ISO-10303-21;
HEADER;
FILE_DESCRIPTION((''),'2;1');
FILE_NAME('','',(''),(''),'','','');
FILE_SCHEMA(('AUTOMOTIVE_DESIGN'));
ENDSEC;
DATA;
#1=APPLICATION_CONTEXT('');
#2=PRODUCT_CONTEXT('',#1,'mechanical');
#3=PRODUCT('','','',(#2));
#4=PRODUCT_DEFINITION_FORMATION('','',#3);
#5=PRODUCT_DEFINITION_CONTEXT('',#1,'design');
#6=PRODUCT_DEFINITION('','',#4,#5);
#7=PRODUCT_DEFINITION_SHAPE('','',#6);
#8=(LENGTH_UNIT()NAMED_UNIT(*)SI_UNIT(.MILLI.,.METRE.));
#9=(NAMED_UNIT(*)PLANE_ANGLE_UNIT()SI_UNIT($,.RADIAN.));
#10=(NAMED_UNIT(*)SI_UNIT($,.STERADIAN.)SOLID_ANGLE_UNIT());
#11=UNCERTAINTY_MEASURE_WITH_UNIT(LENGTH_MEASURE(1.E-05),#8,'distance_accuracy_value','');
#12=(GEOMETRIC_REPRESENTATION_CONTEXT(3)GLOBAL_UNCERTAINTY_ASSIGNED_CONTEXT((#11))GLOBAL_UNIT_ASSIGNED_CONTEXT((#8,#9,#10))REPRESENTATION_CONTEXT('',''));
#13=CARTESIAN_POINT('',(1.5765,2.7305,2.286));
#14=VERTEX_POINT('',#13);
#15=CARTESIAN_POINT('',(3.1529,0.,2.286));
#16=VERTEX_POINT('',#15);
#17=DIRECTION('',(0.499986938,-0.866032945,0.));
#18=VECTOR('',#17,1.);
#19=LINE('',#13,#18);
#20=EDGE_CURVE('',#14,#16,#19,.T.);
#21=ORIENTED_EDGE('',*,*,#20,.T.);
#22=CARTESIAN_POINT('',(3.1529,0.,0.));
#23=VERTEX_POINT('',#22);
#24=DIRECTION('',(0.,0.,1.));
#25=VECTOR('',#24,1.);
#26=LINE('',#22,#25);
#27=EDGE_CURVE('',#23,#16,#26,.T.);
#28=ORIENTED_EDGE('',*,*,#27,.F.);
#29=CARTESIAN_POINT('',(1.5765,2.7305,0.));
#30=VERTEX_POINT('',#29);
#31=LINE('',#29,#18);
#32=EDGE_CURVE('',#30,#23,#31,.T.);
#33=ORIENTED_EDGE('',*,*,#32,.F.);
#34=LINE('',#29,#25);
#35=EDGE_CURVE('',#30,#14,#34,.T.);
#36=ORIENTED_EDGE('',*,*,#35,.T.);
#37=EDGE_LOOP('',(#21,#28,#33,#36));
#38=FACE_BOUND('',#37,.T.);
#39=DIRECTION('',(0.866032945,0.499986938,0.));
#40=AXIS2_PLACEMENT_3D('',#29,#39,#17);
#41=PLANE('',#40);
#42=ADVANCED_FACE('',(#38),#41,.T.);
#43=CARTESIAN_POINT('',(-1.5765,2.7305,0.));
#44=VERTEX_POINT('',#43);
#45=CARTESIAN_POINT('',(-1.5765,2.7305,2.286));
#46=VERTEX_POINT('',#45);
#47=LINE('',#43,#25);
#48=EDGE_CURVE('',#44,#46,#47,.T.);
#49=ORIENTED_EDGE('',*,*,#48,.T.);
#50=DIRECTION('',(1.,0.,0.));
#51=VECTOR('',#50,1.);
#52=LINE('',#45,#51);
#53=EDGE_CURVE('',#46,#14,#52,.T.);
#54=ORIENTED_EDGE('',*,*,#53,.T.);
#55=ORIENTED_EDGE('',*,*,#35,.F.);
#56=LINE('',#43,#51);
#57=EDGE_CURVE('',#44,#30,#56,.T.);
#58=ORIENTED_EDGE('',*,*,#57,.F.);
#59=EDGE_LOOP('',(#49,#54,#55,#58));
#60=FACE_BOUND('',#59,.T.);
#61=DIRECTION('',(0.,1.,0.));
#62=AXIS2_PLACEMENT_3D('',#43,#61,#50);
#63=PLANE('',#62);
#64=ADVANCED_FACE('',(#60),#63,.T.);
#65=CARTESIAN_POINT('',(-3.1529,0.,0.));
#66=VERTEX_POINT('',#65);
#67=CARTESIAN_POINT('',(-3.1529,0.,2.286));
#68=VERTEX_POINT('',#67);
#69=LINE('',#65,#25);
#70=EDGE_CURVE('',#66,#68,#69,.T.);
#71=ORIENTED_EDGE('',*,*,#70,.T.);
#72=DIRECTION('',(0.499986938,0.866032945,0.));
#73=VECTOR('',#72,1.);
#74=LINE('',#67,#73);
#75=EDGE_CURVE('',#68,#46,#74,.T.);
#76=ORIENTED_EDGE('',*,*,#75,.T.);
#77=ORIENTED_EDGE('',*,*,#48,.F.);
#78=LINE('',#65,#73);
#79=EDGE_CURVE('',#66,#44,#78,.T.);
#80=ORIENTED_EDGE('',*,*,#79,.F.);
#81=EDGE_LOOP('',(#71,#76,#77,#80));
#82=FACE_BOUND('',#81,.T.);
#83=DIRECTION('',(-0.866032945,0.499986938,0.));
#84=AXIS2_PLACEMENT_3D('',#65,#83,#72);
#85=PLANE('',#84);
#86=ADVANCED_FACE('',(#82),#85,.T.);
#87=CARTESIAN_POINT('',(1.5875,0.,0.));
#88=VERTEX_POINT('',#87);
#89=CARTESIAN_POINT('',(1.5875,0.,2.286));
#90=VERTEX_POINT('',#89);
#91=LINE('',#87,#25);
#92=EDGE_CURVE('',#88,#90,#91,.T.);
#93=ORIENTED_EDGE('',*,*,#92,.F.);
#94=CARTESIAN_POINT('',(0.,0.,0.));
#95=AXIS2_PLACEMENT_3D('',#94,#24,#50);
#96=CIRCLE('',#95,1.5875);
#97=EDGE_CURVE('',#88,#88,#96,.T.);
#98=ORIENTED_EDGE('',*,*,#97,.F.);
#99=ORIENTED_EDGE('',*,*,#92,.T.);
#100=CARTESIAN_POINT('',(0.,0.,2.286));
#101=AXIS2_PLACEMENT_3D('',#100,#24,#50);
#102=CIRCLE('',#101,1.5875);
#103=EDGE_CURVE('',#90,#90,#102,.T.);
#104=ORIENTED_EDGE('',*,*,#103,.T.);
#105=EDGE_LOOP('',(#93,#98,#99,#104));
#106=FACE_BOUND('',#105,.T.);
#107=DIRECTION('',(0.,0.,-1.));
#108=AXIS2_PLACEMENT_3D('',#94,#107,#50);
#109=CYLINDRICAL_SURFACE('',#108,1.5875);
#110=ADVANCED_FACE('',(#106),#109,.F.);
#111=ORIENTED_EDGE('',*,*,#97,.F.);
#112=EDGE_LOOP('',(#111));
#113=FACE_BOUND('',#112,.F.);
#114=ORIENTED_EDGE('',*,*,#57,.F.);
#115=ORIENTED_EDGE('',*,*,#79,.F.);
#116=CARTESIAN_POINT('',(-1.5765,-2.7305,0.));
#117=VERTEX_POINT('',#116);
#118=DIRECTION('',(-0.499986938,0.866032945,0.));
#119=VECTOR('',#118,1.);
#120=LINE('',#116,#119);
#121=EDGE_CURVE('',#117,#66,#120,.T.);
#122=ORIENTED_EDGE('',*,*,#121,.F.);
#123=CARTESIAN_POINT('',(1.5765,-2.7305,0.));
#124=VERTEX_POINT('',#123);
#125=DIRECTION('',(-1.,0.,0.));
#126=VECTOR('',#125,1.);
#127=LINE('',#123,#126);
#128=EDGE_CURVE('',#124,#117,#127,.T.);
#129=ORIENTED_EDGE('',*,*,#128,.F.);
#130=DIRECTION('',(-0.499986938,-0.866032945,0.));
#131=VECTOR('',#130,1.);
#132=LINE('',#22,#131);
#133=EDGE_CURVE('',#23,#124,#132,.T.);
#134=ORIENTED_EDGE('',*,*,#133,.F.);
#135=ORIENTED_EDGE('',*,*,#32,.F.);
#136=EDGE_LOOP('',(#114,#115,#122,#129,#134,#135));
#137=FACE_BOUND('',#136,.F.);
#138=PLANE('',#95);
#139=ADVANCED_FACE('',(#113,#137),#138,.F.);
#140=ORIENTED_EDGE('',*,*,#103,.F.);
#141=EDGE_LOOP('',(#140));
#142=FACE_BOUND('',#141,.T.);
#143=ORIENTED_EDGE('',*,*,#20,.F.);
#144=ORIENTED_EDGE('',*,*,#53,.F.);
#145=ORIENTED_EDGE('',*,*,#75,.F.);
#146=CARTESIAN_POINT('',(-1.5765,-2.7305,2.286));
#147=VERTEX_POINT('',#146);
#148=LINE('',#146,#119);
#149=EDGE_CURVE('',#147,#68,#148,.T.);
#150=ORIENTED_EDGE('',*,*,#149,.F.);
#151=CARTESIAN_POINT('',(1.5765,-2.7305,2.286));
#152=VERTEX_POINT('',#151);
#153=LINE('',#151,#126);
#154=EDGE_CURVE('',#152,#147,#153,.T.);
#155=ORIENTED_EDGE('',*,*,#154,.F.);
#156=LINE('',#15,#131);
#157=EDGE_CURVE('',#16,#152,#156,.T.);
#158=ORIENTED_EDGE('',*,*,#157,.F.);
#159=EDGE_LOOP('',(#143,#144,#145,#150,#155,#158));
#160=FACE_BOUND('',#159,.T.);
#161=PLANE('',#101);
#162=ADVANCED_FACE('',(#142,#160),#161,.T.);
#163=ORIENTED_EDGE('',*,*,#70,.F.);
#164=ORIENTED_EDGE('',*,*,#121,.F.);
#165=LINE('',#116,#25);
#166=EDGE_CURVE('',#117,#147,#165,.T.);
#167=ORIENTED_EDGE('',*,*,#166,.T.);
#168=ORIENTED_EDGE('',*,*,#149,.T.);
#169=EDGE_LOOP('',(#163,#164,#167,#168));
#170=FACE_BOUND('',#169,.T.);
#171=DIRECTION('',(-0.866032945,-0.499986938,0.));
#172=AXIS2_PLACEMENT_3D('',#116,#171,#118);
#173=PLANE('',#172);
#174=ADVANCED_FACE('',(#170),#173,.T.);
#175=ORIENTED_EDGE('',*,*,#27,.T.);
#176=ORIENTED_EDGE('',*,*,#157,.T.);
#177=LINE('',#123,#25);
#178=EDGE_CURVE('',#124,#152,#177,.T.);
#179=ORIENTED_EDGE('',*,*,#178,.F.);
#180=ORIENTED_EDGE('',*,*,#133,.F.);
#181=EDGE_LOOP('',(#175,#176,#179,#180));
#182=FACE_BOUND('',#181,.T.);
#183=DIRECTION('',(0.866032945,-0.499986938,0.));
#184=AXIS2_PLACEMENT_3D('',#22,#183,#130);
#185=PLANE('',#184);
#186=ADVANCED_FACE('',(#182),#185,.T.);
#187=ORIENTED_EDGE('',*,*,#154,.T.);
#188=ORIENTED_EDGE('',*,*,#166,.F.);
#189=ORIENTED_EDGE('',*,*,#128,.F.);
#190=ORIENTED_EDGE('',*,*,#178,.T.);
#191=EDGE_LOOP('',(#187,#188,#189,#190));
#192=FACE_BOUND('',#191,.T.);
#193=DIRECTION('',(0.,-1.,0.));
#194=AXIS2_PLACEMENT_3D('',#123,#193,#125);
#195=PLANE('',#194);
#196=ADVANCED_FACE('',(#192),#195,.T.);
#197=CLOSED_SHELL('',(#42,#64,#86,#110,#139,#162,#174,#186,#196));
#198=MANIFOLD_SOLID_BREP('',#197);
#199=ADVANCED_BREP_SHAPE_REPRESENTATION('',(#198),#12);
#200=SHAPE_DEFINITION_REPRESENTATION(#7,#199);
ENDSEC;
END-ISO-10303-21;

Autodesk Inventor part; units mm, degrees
ref_plane "YZ Plane" through (0, 0, 0) normal (1, 0, 0) x (0, 1, 0)
ref_plane "XZ Plane" through (0, 0, 0) normal (0, 1, 0) x (-1, 0, 0)
ref_plane "XY Plane" through (0, 0, 0) normal (0, 0, 1) x (1, 0, 0)
sketch "Sketch1" plane through (0, 0, 0) normal (0, 0, 1) x (1, 0, 0)
  line L0 (-3.1529, 0) -> (-1.5765, 2.7305)
  line L1 (-1.5765, 2.7305) -> (1.5765, 2.7305)
  line L2 (1.5765, 2.7305) -> (3.1529, 0)
  line L3 (3.1529, 0) -> (1.5765, -2.7305)
  line L4 (1.5765, -2.7305) -> (-1.5765, -2.7305)
  line L5 (-1.5765, -2.7305) -> (-3.1529, 0)
  circle A0 centre (0, 0) radius 1.5875
  dimension "d0" = 5.461
  dimension "d1" = 3.175
extrude "Extrusion1" add sketch "Sketch1" along normal blind 2.286
thread "Thread1" size "5-40 UNC" class "2B" standard "ANSI Unified Screw Threads" full length
properties part number "Nut" material "Stainless Steel"
